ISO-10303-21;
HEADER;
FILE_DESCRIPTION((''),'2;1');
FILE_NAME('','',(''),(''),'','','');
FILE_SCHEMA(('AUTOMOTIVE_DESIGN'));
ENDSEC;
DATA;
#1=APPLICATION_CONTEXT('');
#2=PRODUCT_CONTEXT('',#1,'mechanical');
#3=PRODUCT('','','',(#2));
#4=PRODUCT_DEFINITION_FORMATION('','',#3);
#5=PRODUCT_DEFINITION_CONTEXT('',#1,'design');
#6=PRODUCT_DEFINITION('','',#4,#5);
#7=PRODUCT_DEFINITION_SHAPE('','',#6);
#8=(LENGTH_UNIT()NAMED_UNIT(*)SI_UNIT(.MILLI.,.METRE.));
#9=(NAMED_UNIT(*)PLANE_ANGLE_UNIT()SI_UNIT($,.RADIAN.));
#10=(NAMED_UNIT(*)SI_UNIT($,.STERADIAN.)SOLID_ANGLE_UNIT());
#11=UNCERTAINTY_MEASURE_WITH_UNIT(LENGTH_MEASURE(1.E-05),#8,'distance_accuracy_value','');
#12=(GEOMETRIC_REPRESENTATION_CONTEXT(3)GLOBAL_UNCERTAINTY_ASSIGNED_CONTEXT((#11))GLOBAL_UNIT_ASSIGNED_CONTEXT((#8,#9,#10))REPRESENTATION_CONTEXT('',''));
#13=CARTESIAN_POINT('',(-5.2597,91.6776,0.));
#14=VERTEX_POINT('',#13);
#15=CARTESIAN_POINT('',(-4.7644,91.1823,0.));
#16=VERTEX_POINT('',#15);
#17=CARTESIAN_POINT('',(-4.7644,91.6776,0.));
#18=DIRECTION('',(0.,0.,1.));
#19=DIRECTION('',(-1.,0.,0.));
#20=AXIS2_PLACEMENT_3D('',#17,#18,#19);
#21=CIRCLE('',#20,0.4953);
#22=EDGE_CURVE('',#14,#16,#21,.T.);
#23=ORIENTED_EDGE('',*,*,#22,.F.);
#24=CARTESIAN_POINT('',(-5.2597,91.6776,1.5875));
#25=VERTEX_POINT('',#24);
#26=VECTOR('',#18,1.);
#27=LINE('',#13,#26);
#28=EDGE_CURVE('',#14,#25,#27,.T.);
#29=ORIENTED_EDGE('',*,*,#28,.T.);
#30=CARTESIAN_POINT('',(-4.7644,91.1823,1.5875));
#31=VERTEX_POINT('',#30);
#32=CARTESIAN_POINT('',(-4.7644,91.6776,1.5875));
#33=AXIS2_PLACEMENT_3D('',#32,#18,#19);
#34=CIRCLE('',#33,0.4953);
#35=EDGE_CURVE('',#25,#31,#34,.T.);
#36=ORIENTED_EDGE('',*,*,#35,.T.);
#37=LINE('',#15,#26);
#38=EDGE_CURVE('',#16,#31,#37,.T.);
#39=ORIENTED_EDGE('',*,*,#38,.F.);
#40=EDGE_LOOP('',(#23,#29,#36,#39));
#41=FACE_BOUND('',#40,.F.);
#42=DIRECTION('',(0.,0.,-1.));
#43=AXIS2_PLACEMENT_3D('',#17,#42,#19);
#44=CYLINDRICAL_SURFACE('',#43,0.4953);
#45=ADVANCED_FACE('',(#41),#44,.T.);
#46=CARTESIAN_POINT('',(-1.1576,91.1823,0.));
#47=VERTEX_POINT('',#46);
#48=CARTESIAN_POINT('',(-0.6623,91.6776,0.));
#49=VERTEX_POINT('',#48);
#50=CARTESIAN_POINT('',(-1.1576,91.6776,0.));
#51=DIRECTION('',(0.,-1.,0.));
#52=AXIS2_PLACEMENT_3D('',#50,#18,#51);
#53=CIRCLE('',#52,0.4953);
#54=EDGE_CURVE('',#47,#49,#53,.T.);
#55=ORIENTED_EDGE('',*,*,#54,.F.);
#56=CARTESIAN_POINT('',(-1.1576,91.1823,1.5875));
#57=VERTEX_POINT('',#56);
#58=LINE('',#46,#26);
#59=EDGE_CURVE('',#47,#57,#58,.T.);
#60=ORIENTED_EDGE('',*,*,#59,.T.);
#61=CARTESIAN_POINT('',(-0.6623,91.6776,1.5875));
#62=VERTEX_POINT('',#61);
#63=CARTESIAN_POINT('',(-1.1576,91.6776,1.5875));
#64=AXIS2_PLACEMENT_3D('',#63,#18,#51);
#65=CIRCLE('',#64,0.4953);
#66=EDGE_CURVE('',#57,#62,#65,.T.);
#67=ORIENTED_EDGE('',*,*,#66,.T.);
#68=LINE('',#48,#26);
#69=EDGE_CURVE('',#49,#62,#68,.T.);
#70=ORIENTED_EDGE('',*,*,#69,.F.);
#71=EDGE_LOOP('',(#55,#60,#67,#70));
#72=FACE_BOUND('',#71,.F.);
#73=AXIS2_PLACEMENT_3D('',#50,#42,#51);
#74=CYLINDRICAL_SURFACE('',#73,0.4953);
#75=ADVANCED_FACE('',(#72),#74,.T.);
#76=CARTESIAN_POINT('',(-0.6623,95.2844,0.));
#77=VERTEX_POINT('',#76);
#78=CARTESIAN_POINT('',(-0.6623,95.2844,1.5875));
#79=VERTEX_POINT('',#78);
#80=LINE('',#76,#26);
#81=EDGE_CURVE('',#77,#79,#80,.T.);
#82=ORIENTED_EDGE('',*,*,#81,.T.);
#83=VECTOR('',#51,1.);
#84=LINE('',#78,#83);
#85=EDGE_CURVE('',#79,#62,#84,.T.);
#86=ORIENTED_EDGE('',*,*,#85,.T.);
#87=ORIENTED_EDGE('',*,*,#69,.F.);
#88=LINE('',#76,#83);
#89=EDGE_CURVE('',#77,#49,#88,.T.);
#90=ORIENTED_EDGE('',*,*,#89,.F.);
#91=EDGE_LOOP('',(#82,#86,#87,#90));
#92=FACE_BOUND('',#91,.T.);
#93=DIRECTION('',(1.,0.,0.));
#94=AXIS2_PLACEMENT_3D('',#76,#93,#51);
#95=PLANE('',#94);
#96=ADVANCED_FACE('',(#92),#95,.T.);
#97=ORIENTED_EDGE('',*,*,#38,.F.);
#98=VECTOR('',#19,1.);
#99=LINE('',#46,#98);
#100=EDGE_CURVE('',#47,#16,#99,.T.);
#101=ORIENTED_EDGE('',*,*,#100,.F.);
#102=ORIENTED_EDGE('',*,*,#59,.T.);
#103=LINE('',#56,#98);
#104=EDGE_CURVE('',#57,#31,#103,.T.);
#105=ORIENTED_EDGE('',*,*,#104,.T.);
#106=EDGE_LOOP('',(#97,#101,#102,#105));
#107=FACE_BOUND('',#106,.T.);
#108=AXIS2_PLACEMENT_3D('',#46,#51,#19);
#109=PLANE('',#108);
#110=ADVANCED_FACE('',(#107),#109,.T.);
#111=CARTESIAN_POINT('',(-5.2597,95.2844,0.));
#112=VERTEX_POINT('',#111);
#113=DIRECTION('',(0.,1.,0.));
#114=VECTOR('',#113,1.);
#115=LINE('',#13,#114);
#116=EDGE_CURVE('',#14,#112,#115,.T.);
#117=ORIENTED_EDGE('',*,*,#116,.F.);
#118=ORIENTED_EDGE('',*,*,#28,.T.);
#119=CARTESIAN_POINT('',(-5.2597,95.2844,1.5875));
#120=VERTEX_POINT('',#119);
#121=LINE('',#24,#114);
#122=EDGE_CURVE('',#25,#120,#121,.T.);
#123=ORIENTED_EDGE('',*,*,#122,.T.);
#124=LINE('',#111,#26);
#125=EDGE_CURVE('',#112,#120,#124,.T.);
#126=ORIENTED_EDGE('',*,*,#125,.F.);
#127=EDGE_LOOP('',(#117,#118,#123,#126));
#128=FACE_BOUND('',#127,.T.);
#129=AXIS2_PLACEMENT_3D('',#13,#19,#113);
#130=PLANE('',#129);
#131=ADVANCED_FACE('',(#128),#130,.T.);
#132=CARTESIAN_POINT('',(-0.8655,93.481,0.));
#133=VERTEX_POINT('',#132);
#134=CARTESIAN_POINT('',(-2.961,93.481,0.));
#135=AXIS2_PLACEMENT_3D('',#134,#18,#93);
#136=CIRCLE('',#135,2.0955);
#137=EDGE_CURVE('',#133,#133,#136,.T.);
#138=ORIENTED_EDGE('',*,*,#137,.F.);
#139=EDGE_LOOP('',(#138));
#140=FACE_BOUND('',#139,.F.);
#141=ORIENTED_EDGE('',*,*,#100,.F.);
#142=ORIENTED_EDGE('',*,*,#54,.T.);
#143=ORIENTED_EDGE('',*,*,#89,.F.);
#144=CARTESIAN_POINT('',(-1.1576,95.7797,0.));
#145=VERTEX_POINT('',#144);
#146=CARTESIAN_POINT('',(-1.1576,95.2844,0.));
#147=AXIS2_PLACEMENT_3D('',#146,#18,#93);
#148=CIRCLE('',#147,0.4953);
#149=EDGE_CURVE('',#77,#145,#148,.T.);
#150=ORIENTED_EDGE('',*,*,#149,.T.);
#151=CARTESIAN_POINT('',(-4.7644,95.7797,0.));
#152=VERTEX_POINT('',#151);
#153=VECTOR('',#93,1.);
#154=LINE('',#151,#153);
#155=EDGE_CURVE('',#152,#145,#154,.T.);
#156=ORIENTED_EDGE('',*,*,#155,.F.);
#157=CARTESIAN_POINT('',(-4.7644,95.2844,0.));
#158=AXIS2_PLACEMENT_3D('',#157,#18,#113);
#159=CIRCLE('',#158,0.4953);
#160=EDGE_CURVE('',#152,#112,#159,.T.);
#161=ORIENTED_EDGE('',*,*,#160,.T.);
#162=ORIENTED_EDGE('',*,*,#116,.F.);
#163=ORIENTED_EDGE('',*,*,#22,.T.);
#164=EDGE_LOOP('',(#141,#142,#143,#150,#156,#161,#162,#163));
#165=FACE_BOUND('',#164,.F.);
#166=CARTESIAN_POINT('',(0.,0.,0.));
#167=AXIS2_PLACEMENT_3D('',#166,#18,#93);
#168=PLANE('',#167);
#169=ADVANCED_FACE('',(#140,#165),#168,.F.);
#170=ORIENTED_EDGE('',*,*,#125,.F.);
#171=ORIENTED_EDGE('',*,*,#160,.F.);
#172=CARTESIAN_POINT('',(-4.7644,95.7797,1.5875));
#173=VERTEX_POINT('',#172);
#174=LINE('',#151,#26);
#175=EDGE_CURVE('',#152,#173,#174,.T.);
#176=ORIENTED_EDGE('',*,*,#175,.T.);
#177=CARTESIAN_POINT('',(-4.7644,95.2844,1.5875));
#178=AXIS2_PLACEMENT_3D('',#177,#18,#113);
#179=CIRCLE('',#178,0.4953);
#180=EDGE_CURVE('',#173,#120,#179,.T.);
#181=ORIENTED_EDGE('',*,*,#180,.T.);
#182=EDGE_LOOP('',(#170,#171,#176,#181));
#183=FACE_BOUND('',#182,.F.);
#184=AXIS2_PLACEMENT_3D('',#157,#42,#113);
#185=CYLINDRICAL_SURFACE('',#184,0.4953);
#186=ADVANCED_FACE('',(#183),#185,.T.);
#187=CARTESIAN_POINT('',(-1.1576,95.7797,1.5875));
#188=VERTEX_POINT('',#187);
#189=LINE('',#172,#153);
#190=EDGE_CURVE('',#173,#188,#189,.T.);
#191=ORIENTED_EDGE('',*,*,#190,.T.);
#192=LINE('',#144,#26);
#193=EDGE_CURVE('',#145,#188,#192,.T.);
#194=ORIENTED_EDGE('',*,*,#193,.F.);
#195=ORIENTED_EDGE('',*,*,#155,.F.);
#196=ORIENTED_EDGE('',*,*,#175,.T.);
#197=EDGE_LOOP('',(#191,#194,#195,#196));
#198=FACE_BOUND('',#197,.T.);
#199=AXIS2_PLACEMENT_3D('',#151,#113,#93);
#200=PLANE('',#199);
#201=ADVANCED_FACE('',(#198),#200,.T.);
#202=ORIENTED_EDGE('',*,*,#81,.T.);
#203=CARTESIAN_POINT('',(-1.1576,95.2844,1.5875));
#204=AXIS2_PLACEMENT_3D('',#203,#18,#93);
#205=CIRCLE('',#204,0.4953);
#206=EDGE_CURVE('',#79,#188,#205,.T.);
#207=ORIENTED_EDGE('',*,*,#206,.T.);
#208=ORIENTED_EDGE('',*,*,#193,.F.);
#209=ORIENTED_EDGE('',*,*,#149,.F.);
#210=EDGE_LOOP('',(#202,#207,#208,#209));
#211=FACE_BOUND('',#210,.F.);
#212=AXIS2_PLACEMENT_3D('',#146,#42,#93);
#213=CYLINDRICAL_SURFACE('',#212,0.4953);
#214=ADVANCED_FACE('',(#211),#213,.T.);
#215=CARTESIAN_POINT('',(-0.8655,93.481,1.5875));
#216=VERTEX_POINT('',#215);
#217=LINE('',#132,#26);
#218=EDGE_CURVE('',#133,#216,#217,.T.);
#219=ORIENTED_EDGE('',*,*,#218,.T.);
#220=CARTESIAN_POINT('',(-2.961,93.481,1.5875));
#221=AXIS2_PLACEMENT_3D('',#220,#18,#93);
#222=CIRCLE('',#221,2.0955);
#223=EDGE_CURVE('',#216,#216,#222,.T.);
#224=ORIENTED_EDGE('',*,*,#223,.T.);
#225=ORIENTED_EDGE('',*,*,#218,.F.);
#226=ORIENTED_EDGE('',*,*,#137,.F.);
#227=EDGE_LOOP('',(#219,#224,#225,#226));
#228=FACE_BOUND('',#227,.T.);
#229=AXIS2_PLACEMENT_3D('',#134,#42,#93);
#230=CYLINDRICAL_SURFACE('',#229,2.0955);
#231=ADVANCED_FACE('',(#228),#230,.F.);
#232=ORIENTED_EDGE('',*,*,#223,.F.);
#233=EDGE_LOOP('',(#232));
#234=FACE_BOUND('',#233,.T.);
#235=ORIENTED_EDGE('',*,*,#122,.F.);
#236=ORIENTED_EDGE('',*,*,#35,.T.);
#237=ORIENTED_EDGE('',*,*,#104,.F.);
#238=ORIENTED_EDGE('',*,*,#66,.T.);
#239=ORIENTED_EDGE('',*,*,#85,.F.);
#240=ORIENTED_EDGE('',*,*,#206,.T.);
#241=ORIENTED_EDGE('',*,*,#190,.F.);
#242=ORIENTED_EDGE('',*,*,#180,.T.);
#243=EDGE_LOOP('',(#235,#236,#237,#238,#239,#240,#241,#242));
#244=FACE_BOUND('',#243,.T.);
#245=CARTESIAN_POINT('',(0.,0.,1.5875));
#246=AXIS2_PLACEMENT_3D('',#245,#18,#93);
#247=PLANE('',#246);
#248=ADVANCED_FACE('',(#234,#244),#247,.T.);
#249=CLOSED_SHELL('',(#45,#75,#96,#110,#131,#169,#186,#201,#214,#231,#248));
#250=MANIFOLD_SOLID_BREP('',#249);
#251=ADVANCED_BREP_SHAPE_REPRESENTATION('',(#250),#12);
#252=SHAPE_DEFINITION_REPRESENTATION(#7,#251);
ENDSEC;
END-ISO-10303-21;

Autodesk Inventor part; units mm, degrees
ref_plane "YZ Plane" through (0, 0, 0) normal (1, 0, 0) x (0, 1, 0)
ref_plane "XZ Plane" through (0, 0, 0) normal (0, 1, 0) x (-1, 0, 0)
ref_plane "XY Plane" through (0, 0, 0) normal (0, 0, 1) x (1, 0, 0)
sketch "Sketch1" plane through (0, 0, 0) normal (0, 0, 1) x (1, 0, 0)
  line L0 (-5.2597, 91.6776) -> (-5.2597, 95.2844)
  arc A0 (-4.7644, 95.7797) -> (-5.2597, 95.2844) centre (-4.7644, 95.2844) ccw
  line L1 (-4.7644, 95.7797) -> (-1.1576, 95.7797)
  arc A1 (-0.6623, 95.2844) -> (-1.1576, 95.7797) centre (-1.1576, 95.2844) ccw
  line L2 (-0.6623, 95.2844) -> (-0.6623, 91.6776)
  arc A2 (-1.1576, 91.1823) -> (-0.6623, 91.6776) centre (-1.1576, 91.6776) ccw
  line L3 (-1.1576, 91.1823) -> (-4.7644, 91.1823)
  arc A3 (-5.2597, 91.6776) -> (-4.7644, 91.1823) centre (-4.7644, 91.6776) ccw
  circle A4 centre (-2.961, 93.481) radius 2.0955
  point P0 (0, 0)
  dimension "d0" = 4.191
extrude "Extrusion1" add sketch "Sketch1" along normal blind 1.5875
properties part number "screw_center"
